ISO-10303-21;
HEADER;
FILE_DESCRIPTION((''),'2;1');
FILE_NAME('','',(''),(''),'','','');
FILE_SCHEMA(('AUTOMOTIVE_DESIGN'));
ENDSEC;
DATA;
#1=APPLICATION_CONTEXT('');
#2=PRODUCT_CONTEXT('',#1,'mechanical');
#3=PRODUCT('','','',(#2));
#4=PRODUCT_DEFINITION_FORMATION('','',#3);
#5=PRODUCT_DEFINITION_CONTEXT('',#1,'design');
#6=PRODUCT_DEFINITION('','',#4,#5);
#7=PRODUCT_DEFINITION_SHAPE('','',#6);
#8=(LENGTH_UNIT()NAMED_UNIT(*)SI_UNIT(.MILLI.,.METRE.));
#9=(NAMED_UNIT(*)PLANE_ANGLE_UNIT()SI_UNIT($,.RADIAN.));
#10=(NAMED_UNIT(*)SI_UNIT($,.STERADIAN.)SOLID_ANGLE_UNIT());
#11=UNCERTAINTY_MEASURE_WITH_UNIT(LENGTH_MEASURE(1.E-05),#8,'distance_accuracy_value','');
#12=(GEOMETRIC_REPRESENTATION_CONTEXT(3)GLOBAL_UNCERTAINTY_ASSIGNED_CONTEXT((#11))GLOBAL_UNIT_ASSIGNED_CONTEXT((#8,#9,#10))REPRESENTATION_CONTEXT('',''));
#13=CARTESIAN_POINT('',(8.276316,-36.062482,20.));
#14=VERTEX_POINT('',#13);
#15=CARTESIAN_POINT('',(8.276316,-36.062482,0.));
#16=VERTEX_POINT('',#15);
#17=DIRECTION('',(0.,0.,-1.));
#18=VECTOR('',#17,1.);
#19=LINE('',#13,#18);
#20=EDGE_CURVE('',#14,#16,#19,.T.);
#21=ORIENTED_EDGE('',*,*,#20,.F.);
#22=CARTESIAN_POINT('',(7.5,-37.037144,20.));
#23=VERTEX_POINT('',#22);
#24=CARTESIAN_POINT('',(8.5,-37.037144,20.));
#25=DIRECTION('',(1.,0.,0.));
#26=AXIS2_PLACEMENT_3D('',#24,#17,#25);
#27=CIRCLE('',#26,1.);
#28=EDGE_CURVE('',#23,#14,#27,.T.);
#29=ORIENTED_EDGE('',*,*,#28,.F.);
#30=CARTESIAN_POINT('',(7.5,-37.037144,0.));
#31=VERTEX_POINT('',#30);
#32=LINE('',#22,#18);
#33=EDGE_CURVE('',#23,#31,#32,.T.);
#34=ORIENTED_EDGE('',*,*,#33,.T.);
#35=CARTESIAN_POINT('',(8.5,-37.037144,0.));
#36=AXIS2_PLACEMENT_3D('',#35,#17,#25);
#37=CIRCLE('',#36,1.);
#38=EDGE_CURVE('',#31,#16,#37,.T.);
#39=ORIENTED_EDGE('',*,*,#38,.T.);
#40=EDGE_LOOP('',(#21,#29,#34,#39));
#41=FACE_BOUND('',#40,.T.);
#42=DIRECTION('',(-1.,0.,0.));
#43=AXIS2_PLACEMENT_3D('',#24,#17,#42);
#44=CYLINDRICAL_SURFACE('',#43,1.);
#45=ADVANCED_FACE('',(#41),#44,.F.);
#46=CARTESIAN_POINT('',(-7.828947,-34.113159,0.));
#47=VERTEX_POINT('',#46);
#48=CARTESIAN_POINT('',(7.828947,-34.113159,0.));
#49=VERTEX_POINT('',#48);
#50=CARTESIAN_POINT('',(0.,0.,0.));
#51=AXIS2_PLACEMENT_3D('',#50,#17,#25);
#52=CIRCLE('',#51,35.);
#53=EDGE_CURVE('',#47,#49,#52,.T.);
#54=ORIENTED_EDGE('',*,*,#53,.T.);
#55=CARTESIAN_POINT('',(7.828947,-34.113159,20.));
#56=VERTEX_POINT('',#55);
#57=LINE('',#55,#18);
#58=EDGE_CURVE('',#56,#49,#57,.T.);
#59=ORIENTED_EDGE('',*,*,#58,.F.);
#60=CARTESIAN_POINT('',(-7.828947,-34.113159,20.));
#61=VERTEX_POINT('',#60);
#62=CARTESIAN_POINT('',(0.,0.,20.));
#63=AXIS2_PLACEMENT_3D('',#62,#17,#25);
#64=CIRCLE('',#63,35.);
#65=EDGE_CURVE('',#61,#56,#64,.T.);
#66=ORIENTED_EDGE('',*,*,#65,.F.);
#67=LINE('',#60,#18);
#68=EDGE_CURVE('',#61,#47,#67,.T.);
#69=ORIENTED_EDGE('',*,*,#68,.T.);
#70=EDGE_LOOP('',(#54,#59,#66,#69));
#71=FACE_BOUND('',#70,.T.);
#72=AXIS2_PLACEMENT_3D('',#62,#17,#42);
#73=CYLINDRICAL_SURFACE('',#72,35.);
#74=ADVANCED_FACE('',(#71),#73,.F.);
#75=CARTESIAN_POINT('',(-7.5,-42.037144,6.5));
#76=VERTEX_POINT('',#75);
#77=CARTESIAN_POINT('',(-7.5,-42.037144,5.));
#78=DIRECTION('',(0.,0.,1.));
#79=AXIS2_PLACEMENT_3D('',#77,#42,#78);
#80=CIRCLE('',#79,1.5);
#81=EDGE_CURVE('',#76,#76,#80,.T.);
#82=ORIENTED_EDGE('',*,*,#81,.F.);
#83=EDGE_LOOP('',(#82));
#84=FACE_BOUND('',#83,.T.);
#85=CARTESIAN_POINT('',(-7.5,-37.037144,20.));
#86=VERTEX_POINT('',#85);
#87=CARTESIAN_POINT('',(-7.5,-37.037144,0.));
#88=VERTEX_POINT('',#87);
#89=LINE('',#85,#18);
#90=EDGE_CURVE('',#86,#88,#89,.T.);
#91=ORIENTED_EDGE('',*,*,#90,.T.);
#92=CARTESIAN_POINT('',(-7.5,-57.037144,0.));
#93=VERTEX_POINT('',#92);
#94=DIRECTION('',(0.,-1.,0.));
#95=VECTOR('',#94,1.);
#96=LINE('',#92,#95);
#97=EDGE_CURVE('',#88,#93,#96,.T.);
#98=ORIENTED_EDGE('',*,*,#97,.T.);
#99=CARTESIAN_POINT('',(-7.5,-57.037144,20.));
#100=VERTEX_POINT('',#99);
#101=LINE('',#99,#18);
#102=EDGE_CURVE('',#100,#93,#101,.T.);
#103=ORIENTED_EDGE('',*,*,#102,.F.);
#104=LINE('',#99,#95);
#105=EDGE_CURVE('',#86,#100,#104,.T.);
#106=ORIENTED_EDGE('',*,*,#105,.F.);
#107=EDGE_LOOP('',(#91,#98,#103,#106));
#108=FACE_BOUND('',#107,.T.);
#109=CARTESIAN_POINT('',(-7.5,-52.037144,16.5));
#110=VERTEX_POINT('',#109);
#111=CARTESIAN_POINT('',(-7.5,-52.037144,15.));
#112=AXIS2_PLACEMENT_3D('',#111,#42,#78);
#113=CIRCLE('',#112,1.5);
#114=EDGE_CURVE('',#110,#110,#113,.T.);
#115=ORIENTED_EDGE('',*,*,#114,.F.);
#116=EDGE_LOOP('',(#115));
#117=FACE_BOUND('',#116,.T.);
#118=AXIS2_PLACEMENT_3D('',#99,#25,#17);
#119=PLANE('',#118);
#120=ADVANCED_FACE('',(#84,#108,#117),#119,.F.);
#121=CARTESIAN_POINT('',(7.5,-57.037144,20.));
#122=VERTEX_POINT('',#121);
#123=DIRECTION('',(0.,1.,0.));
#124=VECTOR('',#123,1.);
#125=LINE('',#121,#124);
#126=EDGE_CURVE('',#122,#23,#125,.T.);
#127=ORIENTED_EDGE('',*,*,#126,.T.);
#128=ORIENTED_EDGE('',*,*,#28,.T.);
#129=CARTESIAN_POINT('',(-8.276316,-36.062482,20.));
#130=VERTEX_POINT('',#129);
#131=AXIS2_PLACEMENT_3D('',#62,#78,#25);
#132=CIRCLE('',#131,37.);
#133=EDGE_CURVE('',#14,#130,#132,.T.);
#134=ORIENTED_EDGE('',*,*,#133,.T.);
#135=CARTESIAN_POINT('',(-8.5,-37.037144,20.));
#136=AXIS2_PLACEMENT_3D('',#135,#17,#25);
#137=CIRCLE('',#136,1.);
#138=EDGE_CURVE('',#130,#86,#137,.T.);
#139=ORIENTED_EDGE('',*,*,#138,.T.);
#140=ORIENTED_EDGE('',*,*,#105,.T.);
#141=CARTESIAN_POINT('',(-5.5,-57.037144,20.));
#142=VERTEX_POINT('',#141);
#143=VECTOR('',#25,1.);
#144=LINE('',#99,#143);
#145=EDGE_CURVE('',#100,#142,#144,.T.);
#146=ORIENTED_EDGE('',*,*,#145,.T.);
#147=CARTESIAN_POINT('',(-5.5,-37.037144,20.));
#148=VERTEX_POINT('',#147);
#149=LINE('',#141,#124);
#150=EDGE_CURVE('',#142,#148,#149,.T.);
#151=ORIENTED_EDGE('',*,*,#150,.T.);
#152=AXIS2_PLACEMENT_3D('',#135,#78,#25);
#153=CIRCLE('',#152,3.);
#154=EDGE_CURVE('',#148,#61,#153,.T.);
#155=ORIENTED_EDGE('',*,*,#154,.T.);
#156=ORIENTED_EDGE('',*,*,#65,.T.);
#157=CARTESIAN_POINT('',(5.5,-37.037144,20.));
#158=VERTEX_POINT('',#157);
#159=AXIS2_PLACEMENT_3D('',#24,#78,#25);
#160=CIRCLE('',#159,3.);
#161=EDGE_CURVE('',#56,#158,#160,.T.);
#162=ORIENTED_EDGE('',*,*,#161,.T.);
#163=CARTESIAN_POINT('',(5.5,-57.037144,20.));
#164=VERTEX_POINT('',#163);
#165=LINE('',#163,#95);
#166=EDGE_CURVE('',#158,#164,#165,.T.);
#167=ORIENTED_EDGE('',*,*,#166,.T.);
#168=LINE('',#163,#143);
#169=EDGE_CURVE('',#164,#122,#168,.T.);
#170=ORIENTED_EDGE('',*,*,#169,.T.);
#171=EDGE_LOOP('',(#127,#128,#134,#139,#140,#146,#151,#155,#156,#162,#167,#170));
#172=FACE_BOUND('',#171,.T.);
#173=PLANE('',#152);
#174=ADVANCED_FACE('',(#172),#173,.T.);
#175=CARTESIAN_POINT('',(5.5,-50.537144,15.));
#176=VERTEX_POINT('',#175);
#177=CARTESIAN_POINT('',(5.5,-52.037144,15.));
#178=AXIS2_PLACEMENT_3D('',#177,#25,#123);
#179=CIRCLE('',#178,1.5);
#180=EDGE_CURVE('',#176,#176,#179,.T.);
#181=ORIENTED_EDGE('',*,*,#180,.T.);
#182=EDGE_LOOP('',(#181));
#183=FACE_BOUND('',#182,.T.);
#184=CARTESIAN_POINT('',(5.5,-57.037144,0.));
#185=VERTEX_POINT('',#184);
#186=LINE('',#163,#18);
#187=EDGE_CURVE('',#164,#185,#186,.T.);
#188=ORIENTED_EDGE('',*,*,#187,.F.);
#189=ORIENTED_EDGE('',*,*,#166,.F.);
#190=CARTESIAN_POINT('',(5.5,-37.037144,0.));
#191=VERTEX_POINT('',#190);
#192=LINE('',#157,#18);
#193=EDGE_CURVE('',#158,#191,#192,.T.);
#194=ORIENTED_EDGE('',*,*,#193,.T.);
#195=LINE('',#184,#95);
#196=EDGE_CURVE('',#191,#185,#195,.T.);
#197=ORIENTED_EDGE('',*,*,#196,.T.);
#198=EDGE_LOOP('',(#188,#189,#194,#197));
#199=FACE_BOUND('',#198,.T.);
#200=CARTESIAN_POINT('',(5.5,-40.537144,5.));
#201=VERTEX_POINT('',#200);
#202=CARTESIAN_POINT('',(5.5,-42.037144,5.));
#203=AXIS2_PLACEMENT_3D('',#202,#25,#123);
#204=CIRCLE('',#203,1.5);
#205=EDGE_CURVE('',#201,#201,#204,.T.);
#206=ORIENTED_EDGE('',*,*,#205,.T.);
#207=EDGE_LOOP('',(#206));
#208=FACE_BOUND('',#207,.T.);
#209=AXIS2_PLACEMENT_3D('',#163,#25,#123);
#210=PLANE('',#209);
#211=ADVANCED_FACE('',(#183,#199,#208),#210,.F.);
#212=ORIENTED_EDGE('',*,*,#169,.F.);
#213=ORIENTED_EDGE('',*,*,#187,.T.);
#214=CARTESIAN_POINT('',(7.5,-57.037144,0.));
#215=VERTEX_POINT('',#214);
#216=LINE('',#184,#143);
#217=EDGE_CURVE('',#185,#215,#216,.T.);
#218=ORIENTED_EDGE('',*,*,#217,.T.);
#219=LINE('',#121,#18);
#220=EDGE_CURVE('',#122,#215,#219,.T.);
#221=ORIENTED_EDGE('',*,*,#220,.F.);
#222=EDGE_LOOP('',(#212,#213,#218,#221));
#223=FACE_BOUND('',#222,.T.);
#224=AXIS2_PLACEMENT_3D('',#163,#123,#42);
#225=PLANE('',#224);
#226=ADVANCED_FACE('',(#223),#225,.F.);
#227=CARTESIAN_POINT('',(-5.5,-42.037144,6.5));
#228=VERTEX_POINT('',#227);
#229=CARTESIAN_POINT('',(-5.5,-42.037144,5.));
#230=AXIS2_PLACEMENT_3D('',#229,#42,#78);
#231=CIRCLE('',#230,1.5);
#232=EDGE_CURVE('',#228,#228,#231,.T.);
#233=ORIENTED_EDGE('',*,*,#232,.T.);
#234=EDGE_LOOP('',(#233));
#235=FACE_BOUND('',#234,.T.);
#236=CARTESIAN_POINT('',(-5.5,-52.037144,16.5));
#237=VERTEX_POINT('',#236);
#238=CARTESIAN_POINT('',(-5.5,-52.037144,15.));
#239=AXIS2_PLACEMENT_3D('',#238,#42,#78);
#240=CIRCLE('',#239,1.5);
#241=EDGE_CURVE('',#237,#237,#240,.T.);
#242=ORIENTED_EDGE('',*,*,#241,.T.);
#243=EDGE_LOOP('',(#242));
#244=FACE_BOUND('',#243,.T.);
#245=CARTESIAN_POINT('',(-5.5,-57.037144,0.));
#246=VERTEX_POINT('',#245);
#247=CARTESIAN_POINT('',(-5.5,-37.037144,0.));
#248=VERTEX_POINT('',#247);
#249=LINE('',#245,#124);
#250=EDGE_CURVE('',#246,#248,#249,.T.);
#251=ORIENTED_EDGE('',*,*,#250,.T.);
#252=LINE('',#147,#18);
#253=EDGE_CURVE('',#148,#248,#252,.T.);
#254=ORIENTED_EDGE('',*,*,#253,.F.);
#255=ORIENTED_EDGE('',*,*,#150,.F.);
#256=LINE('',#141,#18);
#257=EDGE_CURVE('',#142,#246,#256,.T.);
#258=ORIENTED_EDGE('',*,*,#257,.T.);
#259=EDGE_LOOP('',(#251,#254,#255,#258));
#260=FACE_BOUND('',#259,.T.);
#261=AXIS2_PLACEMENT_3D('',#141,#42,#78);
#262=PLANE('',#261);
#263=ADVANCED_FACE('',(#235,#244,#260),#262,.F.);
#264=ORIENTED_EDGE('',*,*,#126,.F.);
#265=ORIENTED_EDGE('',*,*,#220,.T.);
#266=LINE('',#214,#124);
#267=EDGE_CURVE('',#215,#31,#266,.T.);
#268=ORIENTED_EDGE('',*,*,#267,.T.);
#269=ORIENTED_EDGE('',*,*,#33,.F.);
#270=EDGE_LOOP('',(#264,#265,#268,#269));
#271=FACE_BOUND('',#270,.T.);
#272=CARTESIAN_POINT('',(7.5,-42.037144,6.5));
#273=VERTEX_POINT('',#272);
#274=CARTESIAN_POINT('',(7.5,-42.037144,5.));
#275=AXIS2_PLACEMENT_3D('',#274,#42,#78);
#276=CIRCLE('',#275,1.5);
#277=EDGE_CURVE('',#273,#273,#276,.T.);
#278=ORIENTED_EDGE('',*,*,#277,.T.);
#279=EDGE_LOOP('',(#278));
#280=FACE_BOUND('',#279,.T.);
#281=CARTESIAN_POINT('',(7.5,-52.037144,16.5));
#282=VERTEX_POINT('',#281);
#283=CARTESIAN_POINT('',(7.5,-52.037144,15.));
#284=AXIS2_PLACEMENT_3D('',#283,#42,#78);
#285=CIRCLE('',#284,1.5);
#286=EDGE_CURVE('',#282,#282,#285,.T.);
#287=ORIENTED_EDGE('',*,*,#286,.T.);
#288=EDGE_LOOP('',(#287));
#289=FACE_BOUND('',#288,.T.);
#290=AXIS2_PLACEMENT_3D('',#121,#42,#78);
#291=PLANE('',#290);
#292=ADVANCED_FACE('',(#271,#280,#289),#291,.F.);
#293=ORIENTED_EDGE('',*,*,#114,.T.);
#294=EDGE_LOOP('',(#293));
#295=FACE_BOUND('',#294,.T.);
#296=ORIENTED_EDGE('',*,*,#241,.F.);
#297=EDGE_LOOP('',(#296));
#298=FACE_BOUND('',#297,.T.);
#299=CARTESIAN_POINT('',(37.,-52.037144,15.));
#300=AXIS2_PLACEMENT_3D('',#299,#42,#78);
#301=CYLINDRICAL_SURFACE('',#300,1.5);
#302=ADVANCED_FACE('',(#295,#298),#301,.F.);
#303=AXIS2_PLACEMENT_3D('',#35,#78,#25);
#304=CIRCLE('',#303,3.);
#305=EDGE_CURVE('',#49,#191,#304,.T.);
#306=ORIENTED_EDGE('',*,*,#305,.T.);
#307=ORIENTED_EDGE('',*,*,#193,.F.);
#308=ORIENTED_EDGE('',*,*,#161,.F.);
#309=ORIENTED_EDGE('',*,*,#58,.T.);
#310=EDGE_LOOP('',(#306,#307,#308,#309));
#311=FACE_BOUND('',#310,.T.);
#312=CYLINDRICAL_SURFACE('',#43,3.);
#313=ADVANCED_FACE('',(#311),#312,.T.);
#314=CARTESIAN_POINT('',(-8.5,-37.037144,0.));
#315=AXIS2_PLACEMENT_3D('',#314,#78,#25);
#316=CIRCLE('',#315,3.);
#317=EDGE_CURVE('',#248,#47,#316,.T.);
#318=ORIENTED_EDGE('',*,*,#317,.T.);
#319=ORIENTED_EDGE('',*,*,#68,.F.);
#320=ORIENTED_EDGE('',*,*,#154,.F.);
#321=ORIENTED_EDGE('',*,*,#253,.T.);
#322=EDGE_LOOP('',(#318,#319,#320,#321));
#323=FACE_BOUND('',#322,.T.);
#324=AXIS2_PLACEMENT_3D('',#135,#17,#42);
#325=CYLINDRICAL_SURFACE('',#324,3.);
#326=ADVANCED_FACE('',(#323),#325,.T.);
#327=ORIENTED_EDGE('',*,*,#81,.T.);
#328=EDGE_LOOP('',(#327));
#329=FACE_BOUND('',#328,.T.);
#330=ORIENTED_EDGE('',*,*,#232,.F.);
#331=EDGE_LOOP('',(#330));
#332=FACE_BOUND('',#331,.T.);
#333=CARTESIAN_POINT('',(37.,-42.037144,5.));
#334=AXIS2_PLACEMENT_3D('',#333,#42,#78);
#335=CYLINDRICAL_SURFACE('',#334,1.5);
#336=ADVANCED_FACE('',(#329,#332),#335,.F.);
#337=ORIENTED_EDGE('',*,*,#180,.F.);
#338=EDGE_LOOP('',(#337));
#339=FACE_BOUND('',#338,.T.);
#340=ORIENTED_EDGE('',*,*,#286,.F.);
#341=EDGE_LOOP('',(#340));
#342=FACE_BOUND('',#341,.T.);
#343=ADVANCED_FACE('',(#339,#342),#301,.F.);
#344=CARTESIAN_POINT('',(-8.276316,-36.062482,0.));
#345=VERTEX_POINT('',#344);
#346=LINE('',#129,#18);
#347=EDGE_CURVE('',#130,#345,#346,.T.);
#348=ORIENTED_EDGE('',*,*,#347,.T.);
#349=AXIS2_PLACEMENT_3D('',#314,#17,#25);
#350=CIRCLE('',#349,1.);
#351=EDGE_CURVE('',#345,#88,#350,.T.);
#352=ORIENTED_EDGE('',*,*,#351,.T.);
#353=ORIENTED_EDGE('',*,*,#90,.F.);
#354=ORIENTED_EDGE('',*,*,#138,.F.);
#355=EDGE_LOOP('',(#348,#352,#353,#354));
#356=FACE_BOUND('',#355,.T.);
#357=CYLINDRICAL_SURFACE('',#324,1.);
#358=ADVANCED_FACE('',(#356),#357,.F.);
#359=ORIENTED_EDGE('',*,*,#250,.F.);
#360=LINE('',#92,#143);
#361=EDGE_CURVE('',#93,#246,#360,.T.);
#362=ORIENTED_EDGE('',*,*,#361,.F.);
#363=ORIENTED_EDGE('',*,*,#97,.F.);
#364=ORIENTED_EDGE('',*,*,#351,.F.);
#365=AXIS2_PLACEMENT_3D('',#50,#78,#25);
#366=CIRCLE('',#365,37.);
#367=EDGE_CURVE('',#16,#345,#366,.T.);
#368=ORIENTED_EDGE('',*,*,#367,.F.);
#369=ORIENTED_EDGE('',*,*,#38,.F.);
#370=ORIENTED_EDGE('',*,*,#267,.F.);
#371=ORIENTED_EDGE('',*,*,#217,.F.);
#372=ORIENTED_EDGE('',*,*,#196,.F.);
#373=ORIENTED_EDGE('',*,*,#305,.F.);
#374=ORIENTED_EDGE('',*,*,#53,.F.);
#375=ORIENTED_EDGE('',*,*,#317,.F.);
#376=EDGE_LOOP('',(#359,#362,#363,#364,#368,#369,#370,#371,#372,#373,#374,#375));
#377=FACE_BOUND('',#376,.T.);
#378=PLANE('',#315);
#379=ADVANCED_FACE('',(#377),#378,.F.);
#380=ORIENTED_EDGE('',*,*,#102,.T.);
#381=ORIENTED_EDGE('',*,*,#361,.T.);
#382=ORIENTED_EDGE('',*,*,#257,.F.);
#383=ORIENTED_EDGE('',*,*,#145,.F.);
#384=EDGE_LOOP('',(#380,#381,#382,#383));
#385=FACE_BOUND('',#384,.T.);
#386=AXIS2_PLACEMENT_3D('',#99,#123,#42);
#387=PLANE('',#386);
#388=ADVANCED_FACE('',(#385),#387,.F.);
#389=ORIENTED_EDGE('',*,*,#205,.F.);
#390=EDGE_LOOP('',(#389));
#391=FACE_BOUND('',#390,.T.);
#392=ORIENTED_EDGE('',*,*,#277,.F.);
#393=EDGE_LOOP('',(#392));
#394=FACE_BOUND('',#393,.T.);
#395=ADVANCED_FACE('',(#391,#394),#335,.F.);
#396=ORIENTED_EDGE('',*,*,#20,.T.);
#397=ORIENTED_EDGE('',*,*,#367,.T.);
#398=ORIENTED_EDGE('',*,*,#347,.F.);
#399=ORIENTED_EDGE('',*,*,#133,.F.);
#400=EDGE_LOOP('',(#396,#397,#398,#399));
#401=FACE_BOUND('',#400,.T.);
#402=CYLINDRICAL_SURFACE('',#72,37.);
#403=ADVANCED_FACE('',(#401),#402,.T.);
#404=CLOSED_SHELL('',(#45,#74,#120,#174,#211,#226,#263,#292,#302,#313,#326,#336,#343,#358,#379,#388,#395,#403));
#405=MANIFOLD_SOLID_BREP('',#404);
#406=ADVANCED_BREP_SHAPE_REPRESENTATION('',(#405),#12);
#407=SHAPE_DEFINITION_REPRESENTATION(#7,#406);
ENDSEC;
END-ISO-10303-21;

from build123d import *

# Parameters (mm, degrees)
EXTRUSION2_DEPTH = 20
ESQUISSE8_R      = 1.5
EXTRUSION3_DEPTH = 76.056550285
ESQUISSE9_R      = 1.5
EXTRUSION4_DEPTH = 76.056550285


with BuildPart() as part:
    # Esquisse7 → Extrusion2 (new body)
    with BuildSketch(Plane.XY):
        with BuildLine():
            Line((5.5, -57.037143518), (7.5, -57.037143518))
            Line((7.5, -57.037143518), (7.5, -37.037143518))
            ThreePointArc((7.5, -37.037143518), (7.717796634, -36.414120329), (8.276315789, -36.062481847))
            ThreePointArc((8.276315789, -36.062481847), (0, 37), (-8.276315789, -36.062481847))
            ThreePointArc((-8.276315789, -36.062481847), (-7.717796634, -36.414120329), (-7.5, -37.037143518))
            Line((-7.5, -37.037143518), (-7.5, -57.037143518))
            Line((-7.5, -57.037143518), (-5.5, -57.037143518))
            Line((-5.5, -57.037143518), (-5.5, -37.037143518))
            ThreePointArc((-5.5, -37.037143518), (-6.153389903, -35.16807395), (-7.828947368, -34.113158504))
            ThreePointArc((-7.828947368, -34.113158504), (0, 35), (7.828947368, -34.113158504))
            ThreePointArc((7.828947368, -34.113158504), (6.153389903, -35.16807395), (5.5, -37.037143518))
            Line((5.5, -37.037143518), (5.5, -57.037143518))
        make_face()
    extrude(amount=EXTRUSION2_DEPTH)

    # Esquisse8 → Extrusion3 (cut, through all)
    with BuildSketch(Plane.ZY.offset(7.5)):
        with Locations((15, -52.037143518)):
            Circle(ESQUISSE8_R)
    extrude(amount=-EXTRUSION3_DEPTH, mode=Mode.SUBTRACT)

    # Esquisse9 → Extrusion4 (cut, through all)
    with BuildSketch(Plane.ZY.offset(7.5)):
        with Locations((5, -42.037143518)):
            Circle(ESQUISSE9_R)
    extrude(amount=-EXTRUSION4_DEPTH, mode=Mode.SUBTRACT)


solid = part.part
